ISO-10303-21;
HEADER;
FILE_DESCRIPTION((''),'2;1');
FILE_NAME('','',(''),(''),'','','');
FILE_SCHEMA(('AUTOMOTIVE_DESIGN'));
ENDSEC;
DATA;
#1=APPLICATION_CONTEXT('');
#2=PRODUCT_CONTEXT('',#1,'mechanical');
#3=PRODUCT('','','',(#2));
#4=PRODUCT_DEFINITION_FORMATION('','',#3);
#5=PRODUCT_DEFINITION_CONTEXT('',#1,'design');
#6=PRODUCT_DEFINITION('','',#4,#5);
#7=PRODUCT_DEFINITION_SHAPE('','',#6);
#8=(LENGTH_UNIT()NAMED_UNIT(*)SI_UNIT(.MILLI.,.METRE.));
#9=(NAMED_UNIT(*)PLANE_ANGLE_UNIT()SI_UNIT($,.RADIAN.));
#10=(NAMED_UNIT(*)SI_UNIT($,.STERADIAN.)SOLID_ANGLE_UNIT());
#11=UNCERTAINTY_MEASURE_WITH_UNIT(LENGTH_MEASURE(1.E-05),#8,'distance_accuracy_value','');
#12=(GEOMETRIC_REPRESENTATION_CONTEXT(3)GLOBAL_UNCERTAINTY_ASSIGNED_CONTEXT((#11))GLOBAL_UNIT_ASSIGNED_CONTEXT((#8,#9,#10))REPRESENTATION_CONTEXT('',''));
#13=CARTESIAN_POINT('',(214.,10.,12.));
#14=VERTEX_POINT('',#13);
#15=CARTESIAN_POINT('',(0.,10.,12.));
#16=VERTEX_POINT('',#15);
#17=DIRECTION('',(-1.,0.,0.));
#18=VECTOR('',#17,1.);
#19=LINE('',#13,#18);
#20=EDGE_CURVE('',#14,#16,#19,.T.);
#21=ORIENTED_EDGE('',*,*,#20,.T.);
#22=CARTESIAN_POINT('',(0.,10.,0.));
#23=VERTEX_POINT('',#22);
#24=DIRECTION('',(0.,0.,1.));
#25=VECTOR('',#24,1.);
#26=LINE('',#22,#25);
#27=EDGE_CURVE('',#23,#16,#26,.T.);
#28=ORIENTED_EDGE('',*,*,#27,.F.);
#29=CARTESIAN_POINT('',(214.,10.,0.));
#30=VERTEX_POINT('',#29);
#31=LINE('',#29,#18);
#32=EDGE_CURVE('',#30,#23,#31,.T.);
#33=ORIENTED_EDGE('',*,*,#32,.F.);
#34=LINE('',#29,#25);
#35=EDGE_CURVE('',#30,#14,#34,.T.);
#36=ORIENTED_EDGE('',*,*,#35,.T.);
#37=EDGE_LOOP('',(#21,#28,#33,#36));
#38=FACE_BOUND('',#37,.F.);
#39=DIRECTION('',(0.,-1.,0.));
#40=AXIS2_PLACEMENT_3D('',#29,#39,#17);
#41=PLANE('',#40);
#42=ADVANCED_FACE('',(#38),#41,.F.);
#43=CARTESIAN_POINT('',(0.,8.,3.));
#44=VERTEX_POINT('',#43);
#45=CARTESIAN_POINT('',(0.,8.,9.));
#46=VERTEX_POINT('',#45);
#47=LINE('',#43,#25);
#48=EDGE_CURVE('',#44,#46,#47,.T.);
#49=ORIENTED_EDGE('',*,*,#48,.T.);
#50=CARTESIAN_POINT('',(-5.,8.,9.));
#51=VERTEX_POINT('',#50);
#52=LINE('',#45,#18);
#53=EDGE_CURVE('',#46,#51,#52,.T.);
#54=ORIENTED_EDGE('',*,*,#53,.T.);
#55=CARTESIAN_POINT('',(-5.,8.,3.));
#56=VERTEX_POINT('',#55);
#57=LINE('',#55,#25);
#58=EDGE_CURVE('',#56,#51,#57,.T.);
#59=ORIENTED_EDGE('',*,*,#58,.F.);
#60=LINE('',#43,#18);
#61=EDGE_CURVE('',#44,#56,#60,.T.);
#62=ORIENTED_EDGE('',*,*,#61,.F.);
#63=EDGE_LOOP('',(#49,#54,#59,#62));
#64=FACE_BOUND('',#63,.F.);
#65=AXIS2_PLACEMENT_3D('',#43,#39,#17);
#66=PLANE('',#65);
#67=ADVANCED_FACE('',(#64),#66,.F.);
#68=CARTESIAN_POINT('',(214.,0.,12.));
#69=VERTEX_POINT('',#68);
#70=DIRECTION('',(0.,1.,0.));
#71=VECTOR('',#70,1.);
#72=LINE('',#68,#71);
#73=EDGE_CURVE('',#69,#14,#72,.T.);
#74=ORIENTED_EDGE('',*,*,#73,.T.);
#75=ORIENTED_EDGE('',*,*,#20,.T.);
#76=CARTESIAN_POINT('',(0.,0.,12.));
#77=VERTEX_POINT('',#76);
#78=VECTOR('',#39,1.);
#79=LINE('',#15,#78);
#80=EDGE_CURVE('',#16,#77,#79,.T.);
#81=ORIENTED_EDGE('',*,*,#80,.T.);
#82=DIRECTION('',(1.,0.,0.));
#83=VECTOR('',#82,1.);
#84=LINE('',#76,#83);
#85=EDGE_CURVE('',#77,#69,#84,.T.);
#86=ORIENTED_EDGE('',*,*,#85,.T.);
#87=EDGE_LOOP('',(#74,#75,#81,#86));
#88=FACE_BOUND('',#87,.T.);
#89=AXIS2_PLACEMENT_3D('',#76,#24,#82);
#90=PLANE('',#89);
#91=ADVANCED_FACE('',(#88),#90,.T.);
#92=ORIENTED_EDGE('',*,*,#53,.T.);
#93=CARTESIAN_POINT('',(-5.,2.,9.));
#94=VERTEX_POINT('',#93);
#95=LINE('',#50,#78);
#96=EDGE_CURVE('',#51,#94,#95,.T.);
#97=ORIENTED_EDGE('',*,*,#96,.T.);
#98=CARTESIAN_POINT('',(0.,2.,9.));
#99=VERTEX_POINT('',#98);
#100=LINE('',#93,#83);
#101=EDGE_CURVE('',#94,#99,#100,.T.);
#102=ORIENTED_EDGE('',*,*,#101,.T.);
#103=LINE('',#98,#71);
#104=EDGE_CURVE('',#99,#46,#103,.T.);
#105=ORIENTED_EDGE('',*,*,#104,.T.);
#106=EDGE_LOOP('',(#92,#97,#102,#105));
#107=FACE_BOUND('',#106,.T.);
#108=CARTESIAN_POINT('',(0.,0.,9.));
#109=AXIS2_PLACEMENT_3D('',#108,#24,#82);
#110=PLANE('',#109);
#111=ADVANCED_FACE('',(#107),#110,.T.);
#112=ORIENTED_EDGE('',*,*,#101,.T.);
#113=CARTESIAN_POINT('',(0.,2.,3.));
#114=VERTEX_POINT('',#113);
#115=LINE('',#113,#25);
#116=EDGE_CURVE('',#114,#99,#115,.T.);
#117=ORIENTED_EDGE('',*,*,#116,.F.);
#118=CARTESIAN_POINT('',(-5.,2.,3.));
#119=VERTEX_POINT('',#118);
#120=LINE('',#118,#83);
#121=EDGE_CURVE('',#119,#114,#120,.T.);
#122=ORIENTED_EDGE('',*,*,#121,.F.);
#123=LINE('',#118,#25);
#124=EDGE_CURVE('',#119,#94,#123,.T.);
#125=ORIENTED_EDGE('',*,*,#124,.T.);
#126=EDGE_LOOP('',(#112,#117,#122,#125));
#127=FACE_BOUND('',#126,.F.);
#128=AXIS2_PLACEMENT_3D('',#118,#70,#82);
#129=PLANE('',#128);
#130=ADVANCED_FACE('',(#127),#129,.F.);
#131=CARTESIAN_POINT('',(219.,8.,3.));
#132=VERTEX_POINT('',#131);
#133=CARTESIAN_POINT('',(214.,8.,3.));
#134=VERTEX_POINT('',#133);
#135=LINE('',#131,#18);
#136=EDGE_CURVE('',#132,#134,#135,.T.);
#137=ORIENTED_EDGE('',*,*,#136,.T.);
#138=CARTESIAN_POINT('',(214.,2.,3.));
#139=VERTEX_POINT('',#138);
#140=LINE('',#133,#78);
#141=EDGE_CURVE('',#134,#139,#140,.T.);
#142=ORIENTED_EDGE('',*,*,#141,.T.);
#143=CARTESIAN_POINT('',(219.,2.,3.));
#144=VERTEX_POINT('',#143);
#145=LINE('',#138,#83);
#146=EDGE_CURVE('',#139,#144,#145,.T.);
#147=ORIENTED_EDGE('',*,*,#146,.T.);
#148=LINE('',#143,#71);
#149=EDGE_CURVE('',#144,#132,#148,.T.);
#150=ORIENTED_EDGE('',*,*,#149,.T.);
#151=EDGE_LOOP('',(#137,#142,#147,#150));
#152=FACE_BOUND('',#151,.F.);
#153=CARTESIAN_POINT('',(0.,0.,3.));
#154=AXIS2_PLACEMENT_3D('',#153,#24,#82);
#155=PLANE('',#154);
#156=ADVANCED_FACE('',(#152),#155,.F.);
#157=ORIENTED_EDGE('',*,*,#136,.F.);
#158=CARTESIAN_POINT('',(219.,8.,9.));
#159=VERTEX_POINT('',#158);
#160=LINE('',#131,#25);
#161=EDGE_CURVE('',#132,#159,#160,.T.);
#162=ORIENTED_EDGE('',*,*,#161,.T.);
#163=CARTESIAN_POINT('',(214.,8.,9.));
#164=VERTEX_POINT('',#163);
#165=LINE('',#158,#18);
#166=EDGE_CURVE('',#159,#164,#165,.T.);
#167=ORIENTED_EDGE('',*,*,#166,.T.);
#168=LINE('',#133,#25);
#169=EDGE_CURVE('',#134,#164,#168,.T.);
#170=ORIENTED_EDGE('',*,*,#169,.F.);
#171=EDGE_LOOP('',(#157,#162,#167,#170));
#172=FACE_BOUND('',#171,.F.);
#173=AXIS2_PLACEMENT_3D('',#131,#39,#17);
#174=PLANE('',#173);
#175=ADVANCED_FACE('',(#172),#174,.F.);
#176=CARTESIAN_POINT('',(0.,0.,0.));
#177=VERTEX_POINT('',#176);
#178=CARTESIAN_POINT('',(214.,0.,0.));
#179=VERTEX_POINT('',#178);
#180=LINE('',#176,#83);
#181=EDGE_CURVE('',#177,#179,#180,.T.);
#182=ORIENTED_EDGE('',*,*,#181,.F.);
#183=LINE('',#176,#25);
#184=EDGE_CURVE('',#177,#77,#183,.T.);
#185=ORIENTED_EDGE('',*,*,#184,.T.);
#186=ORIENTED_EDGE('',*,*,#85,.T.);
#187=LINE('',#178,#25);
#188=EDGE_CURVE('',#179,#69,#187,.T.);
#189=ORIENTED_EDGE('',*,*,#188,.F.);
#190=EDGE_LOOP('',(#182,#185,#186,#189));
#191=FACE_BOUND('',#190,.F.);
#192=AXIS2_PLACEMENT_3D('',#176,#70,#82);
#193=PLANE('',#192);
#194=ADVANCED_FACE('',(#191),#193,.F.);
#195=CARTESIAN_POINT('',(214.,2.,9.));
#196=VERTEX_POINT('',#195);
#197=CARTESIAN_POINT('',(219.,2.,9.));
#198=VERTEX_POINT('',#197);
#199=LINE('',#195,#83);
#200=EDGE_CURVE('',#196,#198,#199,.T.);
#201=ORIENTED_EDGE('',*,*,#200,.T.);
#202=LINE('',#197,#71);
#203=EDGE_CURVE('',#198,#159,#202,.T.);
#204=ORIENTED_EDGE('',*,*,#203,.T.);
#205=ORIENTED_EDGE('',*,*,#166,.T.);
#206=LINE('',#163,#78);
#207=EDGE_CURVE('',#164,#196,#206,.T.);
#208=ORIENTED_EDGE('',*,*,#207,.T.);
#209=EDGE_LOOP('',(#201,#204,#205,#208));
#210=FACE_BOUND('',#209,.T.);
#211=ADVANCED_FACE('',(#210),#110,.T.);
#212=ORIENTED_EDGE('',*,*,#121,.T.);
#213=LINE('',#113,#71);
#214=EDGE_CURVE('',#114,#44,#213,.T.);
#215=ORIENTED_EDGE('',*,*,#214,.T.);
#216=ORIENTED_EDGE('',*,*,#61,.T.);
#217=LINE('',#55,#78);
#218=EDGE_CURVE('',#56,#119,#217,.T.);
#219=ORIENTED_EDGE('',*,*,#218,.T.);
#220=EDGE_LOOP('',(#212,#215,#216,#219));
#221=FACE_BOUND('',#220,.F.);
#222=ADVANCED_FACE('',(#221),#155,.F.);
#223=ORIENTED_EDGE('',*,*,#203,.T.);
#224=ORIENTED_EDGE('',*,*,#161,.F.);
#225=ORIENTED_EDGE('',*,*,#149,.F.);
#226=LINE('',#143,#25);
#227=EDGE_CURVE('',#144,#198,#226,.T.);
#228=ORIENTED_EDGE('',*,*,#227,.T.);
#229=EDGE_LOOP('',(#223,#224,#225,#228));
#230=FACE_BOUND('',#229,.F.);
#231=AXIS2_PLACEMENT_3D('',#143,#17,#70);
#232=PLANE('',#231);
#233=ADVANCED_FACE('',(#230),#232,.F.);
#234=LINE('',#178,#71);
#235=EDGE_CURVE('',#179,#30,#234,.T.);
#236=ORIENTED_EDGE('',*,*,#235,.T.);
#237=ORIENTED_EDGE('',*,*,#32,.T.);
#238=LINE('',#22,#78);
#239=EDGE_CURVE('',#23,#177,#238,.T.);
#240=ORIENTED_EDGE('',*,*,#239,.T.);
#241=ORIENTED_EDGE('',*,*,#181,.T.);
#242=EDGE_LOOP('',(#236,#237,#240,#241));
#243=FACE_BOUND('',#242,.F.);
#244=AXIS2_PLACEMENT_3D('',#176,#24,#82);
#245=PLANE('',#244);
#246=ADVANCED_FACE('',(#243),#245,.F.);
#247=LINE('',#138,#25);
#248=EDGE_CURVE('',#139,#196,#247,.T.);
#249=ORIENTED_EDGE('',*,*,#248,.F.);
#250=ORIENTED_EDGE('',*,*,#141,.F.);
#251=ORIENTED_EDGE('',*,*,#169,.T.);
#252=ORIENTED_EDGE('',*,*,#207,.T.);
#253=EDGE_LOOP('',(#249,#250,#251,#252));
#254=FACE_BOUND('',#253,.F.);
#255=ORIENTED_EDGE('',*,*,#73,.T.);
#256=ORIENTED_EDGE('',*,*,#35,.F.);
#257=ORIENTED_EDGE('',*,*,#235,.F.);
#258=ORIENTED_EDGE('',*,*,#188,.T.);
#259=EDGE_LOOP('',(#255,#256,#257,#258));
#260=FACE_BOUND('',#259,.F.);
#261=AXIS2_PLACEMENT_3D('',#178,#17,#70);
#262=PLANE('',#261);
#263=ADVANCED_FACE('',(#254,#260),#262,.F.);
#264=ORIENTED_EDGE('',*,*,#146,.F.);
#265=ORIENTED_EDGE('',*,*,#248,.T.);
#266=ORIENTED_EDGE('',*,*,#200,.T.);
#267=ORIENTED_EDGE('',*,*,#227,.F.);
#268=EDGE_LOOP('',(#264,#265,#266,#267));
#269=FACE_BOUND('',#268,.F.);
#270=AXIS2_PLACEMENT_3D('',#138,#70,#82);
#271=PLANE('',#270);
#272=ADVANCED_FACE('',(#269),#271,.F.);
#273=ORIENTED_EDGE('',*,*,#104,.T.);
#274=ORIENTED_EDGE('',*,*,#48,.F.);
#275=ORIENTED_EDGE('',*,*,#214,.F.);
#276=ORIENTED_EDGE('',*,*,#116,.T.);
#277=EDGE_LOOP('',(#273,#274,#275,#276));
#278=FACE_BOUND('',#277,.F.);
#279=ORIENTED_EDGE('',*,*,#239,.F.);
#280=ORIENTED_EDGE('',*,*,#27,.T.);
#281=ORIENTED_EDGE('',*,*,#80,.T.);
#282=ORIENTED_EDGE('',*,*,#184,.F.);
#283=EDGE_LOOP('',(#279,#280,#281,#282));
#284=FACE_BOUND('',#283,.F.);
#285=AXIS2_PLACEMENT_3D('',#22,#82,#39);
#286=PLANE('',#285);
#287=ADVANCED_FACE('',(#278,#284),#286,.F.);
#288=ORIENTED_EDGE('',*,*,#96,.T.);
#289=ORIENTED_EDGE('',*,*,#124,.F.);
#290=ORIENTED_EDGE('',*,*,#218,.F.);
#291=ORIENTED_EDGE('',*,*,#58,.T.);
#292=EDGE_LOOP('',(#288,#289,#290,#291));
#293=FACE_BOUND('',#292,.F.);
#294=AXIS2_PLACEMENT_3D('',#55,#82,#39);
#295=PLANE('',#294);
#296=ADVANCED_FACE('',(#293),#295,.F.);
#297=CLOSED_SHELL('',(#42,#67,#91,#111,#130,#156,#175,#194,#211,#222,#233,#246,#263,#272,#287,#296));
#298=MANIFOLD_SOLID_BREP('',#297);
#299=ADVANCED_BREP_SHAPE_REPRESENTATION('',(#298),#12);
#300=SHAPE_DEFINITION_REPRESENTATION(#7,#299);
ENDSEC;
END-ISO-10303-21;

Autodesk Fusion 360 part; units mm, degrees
sketch "Sketch1" plane through (0, 0, 0) normal (0, 0, 1) x (1, 0, 0)
  line L0 (0, 0) -> (214, 0)
  line L1 (214, 0) -> (214, 10)
  line L2 (214, 10) -> (0, 10)
  line L3 (0, 10) -> (0, 0)
extrude "Extrude1" add sketch "Sketch1" along normal blind 12 makes body 1
sketch "Sketch2" plane through (0, 0, 0) normal (0, 0, 1) x (1, 0, 0)
  line L0 (-5, 2) -> (0, 2)
  line L1 (0, 2) -> (0, 8)
  line L2 (0, 8) -> (-5, 8)
  line L3 (-5, 8) -> (-5, 2)
extrude "Extrude2" add sketch "Sketch2" along normal blind 6 from surface at 3 separate body makes body 2
sketch "Sketch3" plane through (0, 0, 0) normal (0, 0, 1) x (1, 0, 0)
  line L0 (214, 2) -> (219, 2)
  line L1 (219, 2) -> (219, 8)
  line L2 (219, 8) -> (214, 8)
  line L3 (214, 8) -> (214, 2)
extrude "Extrude3" add sketch "Sketch3" along normal blind 6 from surface at 3 separate body makes body 3
combine "Combine1" operation add target body 1 tool bodies 2 3
